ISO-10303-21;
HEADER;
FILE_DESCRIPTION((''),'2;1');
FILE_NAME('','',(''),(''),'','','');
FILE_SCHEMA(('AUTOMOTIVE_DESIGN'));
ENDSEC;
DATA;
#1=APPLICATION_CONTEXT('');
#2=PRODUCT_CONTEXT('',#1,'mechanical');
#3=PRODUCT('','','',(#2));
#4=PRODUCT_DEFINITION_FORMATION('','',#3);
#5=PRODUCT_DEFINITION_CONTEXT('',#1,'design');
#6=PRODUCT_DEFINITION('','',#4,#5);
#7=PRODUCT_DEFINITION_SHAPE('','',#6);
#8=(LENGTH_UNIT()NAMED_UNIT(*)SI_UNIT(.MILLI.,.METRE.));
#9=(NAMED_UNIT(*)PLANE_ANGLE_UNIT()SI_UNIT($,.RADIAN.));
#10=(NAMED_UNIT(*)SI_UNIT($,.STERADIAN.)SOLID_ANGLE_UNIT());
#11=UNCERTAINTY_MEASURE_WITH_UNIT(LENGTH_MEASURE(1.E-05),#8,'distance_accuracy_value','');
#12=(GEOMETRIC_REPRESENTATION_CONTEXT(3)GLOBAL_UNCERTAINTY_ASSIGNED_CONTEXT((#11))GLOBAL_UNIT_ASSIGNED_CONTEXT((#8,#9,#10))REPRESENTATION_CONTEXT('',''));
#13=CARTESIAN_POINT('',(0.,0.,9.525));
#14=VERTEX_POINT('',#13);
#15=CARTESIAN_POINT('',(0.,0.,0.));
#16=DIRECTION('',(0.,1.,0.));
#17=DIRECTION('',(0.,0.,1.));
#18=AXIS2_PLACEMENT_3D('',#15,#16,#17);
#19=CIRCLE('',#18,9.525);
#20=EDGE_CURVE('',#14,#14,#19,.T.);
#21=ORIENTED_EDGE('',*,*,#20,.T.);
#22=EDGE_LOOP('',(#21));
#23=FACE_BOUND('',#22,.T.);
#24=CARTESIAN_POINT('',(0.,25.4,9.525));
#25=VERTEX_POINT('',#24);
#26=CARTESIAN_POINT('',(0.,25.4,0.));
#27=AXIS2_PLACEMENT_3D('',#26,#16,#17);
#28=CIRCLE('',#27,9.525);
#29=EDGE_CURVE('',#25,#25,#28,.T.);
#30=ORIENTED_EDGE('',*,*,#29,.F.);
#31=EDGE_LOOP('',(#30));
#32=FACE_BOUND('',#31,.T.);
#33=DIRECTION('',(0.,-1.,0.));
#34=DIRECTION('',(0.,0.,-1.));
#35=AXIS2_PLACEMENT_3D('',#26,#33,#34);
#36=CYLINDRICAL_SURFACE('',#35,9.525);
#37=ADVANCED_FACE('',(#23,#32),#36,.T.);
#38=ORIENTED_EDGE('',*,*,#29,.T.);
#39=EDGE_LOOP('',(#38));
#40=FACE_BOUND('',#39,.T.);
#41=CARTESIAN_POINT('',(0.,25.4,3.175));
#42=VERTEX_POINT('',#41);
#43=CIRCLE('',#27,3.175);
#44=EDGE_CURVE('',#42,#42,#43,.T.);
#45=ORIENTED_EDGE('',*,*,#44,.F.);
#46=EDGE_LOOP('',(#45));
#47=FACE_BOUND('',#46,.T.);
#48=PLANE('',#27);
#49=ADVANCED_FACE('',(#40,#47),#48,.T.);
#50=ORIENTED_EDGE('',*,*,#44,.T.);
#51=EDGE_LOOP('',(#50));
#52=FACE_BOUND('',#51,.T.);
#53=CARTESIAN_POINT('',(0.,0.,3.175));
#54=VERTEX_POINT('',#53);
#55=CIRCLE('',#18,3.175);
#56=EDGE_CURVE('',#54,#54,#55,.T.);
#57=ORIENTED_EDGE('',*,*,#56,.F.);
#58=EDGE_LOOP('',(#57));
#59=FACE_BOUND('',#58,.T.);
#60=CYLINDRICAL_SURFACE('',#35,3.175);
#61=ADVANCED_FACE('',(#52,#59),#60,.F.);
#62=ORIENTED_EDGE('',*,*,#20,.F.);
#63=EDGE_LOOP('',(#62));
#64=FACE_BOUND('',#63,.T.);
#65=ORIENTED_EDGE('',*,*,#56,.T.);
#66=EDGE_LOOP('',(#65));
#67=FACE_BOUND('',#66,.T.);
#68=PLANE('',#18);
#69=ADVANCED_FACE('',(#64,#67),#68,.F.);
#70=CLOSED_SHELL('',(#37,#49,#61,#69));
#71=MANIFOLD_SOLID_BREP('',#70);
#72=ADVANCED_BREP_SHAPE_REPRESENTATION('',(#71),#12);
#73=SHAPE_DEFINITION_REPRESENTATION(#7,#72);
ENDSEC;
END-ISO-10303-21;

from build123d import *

# Parameters (mm, degrees)
SKETCH1_R           = 9.525
SKETCH1_R_2         = 3.175
BOSS_EXTRUDE1_DEPTH = 25.4


with BuildPart() as part:
    # Sketch1 → Boss-Extrude1 (new body)
    with BuildSketch(Plane(origin=(0, 0, 0), x_dir=(1, 0, 0), z_dir=(0, 1, 0))):
        Circle(SKETCH1_R)
        Circle(SKETCH1_R_2, mode=Mode.SUBTRACT)
    extrude(amount=BOSS_EXTRUDE1_DEPTH)


solid = part.part
